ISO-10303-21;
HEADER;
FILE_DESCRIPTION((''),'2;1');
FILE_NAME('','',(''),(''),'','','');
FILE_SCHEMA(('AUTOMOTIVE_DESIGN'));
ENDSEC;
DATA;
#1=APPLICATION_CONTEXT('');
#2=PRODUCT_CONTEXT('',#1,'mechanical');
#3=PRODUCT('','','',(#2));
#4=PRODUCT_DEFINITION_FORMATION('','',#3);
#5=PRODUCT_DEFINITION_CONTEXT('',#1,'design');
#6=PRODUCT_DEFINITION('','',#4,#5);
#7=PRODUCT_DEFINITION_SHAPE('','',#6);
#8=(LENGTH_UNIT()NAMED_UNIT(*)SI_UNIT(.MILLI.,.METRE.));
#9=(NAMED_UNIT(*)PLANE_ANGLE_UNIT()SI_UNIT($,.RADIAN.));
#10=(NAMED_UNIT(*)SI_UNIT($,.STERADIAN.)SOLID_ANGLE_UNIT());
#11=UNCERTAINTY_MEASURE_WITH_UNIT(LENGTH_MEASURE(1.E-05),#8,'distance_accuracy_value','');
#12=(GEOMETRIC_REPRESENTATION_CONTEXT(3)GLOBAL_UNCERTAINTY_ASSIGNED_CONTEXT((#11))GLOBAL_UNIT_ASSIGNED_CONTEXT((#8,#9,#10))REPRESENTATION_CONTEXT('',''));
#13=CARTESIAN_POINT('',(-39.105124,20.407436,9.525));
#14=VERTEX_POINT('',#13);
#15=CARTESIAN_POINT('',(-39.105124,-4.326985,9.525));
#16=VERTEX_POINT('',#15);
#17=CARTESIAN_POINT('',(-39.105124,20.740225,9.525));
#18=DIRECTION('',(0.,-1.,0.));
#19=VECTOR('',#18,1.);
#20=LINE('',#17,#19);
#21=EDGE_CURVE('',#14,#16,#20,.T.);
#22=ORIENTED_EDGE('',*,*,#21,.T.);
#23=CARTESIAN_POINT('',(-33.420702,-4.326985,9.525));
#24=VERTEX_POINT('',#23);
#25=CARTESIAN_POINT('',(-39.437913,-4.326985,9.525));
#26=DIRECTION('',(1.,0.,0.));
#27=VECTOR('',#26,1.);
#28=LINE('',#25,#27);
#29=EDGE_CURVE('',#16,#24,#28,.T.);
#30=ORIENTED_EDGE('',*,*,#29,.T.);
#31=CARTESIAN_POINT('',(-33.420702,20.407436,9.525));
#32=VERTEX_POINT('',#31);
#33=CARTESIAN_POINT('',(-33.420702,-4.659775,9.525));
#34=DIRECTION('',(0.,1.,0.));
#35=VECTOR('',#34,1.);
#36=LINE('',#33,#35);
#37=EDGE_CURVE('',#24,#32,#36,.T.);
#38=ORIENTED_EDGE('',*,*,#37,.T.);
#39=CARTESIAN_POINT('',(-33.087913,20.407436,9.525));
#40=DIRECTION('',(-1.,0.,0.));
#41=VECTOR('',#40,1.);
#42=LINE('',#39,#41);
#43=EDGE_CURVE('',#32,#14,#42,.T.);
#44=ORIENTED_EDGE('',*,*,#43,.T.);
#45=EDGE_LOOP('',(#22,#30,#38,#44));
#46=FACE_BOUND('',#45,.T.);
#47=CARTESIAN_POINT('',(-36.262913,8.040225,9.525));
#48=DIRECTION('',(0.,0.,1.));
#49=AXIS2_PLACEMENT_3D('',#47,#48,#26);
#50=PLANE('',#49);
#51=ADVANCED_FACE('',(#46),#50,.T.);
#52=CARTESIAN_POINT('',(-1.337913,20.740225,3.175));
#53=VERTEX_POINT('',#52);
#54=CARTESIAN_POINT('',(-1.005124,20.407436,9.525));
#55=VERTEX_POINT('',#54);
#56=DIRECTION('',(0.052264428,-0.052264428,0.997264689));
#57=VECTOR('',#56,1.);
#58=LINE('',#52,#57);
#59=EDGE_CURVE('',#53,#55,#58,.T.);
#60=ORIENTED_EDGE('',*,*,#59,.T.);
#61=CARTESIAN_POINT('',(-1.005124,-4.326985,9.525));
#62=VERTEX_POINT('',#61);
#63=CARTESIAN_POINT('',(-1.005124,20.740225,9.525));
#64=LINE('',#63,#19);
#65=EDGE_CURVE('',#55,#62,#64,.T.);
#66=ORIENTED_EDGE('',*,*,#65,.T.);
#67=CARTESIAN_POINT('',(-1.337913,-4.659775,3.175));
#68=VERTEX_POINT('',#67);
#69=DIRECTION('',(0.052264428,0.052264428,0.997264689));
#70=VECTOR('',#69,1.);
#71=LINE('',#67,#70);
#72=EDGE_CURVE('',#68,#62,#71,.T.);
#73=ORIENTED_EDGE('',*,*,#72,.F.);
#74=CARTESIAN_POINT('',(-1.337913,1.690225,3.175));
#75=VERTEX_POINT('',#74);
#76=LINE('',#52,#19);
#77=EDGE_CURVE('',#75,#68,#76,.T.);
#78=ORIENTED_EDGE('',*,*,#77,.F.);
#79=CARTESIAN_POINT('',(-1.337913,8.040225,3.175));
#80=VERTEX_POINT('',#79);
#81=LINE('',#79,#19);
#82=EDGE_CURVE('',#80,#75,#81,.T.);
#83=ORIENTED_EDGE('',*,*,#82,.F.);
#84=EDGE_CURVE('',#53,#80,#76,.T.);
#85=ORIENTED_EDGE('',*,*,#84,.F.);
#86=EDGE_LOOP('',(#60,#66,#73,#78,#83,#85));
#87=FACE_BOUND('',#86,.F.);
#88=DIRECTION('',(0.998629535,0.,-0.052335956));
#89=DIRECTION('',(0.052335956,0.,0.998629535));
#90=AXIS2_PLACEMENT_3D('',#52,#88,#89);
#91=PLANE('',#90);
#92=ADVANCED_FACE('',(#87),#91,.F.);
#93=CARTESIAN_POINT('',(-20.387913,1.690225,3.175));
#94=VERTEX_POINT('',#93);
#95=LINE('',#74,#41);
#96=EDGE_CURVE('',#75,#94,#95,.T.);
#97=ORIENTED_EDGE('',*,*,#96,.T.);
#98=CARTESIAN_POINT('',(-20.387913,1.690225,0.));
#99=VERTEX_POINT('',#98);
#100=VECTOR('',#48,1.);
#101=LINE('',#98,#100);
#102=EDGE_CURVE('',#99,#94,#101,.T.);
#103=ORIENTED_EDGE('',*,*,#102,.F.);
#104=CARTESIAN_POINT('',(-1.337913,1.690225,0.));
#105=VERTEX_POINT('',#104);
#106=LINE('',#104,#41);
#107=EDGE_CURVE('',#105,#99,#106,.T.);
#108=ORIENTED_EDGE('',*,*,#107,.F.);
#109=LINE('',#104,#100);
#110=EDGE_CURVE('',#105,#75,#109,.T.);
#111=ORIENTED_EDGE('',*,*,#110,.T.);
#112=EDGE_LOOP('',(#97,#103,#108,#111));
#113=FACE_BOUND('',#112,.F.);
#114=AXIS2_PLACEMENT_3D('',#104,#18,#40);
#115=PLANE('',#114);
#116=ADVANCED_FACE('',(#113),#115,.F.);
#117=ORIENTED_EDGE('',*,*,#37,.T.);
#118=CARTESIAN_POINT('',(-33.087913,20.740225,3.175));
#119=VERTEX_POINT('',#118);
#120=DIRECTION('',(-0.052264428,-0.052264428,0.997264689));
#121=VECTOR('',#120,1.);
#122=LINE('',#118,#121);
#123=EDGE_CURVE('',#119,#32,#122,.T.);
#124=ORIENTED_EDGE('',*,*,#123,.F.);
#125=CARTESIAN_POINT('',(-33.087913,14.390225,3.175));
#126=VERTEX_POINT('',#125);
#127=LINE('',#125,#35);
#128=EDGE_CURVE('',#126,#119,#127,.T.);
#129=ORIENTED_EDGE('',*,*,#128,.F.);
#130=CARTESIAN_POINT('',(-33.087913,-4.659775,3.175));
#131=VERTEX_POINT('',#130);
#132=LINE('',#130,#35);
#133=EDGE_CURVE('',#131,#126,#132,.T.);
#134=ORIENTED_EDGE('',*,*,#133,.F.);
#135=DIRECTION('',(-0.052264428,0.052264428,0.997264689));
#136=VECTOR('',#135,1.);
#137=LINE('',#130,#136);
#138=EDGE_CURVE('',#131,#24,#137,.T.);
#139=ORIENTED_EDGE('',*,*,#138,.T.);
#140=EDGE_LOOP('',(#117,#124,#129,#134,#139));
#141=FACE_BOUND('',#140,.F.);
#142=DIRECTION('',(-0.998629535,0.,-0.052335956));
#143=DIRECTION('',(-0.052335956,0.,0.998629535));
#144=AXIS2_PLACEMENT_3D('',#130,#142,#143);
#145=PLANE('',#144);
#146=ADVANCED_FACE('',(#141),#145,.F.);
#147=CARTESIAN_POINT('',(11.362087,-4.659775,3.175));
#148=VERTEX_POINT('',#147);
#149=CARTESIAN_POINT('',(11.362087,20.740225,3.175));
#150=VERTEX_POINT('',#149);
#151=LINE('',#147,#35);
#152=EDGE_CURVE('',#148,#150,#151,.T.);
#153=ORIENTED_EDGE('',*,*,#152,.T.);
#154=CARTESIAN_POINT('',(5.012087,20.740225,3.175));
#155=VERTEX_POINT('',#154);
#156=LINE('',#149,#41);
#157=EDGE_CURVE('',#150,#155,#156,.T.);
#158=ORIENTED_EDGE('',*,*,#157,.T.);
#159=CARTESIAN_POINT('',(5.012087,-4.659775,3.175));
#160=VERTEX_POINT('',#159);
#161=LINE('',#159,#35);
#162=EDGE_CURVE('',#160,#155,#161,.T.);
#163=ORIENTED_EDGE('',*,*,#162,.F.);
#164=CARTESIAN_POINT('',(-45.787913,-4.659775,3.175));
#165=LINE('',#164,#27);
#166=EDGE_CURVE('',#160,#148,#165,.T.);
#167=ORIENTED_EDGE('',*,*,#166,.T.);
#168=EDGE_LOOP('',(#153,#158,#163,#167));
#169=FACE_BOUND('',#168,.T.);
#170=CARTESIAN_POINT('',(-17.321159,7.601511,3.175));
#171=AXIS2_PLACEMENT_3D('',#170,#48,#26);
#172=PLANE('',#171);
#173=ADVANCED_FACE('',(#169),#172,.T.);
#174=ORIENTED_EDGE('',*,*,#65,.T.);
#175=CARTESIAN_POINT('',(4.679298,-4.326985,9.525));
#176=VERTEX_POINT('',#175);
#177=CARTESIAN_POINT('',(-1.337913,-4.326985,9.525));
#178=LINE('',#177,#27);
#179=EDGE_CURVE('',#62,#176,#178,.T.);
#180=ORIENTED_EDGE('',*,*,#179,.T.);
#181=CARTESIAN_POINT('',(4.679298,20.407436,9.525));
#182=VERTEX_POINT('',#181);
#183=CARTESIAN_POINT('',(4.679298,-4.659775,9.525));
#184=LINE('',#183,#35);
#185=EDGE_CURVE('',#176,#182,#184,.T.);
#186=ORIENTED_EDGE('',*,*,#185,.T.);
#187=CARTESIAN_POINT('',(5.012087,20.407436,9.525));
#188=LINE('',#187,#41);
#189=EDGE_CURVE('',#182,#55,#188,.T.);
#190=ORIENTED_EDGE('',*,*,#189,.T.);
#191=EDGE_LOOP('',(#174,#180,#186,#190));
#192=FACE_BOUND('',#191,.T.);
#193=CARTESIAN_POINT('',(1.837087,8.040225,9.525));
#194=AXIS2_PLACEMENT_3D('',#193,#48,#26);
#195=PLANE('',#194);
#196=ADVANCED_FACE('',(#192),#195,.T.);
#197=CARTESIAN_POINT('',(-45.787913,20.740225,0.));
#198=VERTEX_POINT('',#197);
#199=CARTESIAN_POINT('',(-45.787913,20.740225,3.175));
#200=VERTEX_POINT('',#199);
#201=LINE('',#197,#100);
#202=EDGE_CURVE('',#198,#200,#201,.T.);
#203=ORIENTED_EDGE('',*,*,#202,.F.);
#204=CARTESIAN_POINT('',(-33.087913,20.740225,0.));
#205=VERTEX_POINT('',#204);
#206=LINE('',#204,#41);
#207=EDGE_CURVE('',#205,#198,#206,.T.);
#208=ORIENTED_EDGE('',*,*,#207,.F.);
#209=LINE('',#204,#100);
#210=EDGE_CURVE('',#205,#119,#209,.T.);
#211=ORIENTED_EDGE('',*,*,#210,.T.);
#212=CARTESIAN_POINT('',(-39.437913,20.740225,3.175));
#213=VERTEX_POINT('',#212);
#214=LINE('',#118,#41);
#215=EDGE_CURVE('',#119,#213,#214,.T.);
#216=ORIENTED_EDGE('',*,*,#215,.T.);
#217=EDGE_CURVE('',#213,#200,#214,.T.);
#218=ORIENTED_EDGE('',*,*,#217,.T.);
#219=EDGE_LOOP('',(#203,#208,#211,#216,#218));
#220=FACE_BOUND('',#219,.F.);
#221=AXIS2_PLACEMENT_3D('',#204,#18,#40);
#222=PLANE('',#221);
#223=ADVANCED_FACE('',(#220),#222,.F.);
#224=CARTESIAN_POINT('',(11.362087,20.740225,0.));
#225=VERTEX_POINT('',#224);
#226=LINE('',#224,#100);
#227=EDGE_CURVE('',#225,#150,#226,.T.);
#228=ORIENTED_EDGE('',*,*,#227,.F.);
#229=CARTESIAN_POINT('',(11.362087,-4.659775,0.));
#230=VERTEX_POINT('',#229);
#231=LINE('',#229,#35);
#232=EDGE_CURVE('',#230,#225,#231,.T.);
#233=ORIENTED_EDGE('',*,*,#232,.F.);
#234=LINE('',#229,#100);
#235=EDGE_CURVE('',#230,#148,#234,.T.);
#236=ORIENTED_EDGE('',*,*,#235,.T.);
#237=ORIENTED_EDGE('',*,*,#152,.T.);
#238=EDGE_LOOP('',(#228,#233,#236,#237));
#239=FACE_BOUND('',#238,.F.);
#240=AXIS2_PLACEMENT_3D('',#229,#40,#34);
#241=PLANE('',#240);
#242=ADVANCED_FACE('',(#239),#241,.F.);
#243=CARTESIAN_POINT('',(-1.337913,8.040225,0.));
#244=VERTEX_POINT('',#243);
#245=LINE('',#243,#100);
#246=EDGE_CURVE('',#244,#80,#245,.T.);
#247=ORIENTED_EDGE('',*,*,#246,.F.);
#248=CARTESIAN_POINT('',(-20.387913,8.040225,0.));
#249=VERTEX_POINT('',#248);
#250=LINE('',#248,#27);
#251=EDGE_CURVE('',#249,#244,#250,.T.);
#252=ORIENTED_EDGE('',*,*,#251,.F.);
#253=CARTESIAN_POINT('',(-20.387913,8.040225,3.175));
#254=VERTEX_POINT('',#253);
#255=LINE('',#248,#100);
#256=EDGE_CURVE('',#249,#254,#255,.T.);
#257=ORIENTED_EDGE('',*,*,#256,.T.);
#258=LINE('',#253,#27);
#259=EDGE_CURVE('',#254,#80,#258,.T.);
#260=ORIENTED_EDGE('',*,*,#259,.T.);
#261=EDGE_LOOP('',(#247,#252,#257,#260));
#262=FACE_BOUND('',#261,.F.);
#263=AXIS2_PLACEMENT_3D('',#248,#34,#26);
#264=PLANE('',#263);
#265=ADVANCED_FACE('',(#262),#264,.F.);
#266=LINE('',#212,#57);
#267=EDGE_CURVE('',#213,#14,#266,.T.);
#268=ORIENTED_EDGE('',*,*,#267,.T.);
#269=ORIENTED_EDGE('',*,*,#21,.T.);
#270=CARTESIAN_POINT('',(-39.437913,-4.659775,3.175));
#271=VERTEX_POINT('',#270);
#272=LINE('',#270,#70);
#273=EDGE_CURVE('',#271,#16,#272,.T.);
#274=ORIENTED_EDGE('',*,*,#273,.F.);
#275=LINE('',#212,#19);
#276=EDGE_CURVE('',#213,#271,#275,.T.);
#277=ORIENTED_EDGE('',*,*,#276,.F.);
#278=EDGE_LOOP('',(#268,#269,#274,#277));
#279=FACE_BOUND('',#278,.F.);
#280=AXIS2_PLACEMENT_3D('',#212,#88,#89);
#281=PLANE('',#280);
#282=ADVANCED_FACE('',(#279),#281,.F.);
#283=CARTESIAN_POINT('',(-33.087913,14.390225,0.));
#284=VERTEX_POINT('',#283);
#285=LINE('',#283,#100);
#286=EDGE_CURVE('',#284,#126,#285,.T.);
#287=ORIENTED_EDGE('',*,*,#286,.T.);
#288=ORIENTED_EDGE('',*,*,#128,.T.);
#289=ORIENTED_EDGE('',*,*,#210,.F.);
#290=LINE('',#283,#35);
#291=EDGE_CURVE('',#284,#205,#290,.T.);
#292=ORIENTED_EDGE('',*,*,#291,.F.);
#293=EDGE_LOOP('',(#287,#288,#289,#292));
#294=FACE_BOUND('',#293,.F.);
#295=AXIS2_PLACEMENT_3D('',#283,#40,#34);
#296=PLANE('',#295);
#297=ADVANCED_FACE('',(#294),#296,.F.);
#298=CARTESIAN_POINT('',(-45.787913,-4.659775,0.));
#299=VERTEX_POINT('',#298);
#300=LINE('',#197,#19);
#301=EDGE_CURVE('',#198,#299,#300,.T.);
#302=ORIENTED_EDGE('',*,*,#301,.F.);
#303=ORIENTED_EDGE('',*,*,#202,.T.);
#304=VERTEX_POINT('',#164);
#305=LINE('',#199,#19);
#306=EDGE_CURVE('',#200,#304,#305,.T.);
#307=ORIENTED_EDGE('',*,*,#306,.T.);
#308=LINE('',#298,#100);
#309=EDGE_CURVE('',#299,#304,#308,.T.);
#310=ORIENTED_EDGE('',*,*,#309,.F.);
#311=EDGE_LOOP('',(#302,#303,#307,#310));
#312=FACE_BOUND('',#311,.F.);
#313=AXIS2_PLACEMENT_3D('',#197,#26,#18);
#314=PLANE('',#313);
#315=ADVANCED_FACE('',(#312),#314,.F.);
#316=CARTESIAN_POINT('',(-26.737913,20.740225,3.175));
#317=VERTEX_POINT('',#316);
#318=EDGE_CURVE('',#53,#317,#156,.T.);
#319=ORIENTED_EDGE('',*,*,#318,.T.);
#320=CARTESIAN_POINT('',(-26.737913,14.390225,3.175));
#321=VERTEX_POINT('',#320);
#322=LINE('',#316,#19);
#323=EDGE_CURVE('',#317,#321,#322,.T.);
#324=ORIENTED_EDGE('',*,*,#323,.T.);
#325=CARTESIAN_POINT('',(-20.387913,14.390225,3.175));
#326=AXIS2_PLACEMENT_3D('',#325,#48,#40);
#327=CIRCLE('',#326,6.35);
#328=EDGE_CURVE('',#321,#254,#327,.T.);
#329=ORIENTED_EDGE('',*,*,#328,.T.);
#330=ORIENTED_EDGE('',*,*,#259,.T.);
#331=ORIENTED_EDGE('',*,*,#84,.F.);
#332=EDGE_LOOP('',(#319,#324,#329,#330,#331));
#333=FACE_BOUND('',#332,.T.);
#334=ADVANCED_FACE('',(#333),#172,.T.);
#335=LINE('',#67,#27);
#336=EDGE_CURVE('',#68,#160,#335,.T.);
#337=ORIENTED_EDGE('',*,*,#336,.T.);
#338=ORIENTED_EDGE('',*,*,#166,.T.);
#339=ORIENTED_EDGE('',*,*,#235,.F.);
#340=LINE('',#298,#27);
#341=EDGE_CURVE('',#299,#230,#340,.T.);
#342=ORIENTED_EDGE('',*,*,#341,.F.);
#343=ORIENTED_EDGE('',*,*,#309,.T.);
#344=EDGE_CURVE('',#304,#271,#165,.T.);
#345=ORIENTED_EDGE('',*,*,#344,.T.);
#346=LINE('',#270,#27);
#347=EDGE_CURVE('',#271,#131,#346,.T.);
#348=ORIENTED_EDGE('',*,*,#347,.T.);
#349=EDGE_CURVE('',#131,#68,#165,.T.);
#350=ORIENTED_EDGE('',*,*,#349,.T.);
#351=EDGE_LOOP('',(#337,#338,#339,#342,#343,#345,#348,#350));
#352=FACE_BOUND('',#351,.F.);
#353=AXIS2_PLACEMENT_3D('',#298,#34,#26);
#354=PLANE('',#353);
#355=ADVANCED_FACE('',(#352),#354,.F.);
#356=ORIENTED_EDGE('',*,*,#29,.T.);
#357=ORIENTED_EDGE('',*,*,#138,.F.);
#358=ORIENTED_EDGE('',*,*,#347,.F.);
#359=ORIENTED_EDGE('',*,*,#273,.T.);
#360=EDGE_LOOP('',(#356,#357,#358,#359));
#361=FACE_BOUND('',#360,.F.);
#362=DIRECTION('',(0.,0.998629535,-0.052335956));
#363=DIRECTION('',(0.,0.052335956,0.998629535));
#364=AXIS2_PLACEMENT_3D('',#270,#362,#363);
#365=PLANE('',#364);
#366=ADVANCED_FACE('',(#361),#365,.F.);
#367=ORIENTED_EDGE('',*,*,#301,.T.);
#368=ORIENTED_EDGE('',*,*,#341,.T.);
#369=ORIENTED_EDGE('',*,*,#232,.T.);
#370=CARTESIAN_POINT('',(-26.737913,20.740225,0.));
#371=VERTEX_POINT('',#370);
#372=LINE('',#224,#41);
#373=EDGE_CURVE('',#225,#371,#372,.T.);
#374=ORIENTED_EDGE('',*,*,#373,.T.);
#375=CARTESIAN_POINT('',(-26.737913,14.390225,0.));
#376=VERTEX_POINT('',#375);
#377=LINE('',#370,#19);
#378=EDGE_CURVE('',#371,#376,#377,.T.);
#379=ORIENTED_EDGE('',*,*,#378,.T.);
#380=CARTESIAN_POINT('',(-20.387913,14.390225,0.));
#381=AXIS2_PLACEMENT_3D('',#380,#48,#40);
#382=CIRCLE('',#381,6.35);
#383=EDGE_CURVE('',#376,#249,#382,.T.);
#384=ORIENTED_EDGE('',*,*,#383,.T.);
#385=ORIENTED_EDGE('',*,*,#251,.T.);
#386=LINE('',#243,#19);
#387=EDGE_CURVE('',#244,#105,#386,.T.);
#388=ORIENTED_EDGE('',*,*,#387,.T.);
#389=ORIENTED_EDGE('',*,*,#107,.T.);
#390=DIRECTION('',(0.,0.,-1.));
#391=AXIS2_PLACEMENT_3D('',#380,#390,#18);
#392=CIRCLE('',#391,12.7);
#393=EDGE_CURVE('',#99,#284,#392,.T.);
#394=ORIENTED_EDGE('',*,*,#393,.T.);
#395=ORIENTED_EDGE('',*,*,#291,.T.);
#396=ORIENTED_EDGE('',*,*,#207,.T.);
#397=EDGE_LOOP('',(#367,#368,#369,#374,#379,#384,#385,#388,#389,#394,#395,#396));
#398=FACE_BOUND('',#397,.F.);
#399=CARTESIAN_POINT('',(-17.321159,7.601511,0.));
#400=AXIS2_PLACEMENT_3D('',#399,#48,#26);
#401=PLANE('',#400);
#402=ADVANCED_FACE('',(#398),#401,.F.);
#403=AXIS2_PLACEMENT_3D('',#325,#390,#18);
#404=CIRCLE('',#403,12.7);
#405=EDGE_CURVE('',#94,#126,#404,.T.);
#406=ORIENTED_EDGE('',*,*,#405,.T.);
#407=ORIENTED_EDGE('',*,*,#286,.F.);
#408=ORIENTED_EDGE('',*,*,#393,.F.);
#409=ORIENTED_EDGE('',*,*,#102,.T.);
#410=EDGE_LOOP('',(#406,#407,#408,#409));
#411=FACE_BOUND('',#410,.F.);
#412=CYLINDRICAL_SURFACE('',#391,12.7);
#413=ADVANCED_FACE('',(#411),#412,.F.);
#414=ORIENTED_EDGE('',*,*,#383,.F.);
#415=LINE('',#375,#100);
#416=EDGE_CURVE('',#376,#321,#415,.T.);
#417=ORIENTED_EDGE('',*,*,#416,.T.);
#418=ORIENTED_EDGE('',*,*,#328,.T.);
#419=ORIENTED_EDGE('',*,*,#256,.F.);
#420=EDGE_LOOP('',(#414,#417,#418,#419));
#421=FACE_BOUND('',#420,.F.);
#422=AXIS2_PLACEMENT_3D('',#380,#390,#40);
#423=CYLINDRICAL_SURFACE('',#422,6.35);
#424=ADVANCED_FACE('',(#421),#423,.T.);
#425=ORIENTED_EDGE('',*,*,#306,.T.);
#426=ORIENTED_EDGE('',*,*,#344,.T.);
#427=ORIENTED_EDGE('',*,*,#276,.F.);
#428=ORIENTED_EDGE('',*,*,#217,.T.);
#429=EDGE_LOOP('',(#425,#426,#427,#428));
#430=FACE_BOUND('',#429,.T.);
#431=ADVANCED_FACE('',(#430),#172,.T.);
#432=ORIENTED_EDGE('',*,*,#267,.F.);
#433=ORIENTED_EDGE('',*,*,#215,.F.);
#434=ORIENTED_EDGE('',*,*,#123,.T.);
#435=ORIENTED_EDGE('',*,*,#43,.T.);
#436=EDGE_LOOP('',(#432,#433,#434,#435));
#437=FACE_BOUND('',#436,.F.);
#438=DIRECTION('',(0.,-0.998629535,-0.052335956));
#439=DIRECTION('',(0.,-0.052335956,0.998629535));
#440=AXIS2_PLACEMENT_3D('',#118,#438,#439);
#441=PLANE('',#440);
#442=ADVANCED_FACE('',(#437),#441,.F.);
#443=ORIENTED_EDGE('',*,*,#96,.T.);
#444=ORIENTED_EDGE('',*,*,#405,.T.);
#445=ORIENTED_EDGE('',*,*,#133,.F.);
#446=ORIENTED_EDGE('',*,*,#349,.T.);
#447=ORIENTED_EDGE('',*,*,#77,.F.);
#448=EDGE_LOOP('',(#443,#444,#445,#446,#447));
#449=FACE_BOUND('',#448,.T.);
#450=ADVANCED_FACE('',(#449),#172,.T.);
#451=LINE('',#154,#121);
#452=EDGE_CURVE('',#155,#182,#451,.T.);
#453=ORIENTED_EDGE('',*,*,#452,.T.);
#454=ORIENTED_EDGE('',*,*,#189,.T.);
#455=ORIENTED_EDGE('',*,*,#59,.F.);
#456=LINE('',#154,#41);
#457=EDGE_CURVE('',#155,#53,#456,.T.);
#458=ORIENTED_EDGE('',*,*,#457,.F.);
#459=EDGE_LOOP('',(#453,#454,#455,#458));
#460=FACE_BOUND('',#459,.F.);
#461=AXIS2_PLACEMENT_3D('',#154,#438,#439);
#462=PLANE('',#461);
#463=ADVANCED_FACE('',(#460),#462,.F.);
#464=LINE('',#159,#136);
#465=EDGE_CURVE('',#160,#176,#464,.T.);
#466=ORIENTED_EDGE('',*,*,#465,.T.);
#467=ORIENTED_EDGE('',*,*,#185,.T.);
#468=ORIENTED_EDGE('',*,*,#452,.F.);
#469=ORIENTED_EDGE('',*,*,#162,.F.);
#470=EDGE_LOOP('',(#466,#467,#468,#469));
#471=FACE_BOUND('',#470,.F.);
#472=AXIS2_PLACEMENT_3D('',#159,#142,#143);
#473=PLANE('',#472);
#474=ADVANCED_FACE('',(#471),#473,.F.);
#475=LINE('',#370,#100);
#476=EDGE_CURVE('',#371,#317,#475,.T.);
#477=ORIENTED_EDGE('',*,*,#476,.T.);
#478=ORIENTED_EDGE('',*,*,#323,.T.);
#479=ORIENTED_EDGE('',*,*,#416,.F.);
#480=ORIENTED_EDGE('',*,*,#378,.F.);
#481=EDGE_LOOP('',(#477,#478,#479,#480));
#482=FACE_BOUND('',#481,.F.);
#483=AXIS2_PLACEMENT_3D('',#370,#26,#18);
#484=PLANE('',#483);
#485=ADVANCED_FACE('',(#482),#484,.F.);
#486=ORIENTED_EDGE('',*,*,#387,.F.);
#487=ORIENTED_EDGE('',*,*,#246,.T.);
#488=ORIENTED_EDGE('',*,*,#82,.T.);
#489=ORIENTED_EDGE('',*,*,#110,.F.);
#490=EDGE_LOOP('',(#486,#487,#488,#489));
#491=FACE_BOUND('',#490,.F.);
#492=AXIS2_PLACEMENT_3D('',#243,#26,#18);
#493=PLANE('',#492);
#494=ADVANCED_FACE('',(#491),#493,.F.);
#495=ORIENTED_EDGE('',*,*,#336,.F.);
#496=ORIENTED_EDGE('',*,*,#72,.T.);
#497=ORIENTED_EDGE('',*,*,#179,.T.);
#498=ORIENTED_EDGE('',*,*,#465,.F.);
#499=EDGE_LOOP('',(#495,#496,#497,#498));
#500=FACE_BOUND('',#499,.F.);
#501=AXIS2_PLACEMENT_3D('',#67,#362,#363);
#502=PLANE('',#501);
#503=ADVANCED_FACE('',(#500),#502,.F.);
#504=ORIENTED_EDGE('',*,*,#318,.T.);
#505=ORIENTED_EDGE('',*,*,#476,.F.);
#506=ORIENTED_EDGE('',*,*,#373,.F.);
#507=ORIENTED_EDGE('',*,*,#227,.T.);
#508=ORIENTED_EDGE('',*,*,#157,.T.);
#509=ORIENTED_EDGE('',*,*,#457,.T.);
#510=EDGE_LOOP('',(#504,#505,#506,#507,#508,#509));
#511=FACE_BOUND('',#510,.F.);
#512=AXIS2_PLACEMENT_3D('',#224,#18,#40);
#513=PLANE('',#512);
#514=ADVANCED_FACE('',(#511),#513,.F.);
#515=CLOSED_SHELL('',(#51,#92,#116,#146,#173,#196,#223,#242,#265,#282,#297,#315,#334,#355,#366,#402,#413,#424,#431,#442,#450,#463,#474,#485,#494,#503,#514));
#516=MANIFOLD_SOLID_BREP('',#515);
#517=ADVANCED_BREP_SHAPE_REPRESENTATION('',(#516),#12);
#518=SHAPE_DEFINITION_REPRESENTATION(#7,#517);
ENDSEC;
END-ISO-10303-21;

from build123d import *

# Parameters (mm, degrees)
F1_DEPTH = 3.175
F3_DEPTH = 6.35
F3_TAPER = 3


with BuildPart() as f1:
    # F0 (on Top) → F1 (new body)
    with BuildSketch(Plane.XY):
        with BuildLine():
            Line((-45.7879129469, 20.7402253661), (-45.7879129469, -4.6597746339))
            Line((-45.7879129469, -4.6597746339), (11.3620870531, -4.6597746339))
            Line((11.3620870531, -4.6597746339), (11.3620870531, 20.7402253661))
            Line((11.3620870531, 20.7402253661), (-26.7379129469, 20.7402253661))
            Line((-26.7379129469, 20.7402253661), (-26.7379129469, 14.3902253661))
            ThreePointArc((-26.7379129469, 14.3902253661), (-24.8780410075, 9.9000973056), (-20.3879129469, 8.0402253661))
            Line((-20.3879129469, 8.0402253661), (-1.3379129469, 8.0402253661))
            Line((-1.3379129469, 8.0402253661), (-1.3379129469, 1.6902253661))
            Line((-1.3379129469, 1.6902253661), (-20.3879129469, 1.6902253661))
            ThreePointArc((-20.3879129469, 1.6902253661), (-29.368169068, 5.4099692451), (-33.0879129469, 14.3902253661))
            Line((-33.0879129469, 14.3902253661), (-33.0879129469, 20.7402253661))
            Line((-33.0879129469, 20.7402253661), (-45.7879129469, 20.7402253661))
        make_face()
    extrude(amount=F1_DEPTH)

    # F2 (on face) → F3 (join)
    with BuildSketch(Plane.XY.offset(3.175)):
        Polygon((-33.0879129469, 20.7402253661), (-39.4379129469, 20.7402253661), (-39.4379129469, -4.6597746339), (-33.0879129469, -4.6597746339), (-33.0879129469, 14.3902253661), align=None)
        Polygon((-1.3379129469, 1.6902253661), (-1.3379129469, -4.6597746339), (5.0120870531, -4.6597746339), (5.0120870531, 20.7402253661), (-1.3379129469, 20.7402253661), (-1.3379129469, 8.0402253661), align=None)
    extrude(amount=F3_DEPTH, taper=F3_TAPER)


solid = f1.part
